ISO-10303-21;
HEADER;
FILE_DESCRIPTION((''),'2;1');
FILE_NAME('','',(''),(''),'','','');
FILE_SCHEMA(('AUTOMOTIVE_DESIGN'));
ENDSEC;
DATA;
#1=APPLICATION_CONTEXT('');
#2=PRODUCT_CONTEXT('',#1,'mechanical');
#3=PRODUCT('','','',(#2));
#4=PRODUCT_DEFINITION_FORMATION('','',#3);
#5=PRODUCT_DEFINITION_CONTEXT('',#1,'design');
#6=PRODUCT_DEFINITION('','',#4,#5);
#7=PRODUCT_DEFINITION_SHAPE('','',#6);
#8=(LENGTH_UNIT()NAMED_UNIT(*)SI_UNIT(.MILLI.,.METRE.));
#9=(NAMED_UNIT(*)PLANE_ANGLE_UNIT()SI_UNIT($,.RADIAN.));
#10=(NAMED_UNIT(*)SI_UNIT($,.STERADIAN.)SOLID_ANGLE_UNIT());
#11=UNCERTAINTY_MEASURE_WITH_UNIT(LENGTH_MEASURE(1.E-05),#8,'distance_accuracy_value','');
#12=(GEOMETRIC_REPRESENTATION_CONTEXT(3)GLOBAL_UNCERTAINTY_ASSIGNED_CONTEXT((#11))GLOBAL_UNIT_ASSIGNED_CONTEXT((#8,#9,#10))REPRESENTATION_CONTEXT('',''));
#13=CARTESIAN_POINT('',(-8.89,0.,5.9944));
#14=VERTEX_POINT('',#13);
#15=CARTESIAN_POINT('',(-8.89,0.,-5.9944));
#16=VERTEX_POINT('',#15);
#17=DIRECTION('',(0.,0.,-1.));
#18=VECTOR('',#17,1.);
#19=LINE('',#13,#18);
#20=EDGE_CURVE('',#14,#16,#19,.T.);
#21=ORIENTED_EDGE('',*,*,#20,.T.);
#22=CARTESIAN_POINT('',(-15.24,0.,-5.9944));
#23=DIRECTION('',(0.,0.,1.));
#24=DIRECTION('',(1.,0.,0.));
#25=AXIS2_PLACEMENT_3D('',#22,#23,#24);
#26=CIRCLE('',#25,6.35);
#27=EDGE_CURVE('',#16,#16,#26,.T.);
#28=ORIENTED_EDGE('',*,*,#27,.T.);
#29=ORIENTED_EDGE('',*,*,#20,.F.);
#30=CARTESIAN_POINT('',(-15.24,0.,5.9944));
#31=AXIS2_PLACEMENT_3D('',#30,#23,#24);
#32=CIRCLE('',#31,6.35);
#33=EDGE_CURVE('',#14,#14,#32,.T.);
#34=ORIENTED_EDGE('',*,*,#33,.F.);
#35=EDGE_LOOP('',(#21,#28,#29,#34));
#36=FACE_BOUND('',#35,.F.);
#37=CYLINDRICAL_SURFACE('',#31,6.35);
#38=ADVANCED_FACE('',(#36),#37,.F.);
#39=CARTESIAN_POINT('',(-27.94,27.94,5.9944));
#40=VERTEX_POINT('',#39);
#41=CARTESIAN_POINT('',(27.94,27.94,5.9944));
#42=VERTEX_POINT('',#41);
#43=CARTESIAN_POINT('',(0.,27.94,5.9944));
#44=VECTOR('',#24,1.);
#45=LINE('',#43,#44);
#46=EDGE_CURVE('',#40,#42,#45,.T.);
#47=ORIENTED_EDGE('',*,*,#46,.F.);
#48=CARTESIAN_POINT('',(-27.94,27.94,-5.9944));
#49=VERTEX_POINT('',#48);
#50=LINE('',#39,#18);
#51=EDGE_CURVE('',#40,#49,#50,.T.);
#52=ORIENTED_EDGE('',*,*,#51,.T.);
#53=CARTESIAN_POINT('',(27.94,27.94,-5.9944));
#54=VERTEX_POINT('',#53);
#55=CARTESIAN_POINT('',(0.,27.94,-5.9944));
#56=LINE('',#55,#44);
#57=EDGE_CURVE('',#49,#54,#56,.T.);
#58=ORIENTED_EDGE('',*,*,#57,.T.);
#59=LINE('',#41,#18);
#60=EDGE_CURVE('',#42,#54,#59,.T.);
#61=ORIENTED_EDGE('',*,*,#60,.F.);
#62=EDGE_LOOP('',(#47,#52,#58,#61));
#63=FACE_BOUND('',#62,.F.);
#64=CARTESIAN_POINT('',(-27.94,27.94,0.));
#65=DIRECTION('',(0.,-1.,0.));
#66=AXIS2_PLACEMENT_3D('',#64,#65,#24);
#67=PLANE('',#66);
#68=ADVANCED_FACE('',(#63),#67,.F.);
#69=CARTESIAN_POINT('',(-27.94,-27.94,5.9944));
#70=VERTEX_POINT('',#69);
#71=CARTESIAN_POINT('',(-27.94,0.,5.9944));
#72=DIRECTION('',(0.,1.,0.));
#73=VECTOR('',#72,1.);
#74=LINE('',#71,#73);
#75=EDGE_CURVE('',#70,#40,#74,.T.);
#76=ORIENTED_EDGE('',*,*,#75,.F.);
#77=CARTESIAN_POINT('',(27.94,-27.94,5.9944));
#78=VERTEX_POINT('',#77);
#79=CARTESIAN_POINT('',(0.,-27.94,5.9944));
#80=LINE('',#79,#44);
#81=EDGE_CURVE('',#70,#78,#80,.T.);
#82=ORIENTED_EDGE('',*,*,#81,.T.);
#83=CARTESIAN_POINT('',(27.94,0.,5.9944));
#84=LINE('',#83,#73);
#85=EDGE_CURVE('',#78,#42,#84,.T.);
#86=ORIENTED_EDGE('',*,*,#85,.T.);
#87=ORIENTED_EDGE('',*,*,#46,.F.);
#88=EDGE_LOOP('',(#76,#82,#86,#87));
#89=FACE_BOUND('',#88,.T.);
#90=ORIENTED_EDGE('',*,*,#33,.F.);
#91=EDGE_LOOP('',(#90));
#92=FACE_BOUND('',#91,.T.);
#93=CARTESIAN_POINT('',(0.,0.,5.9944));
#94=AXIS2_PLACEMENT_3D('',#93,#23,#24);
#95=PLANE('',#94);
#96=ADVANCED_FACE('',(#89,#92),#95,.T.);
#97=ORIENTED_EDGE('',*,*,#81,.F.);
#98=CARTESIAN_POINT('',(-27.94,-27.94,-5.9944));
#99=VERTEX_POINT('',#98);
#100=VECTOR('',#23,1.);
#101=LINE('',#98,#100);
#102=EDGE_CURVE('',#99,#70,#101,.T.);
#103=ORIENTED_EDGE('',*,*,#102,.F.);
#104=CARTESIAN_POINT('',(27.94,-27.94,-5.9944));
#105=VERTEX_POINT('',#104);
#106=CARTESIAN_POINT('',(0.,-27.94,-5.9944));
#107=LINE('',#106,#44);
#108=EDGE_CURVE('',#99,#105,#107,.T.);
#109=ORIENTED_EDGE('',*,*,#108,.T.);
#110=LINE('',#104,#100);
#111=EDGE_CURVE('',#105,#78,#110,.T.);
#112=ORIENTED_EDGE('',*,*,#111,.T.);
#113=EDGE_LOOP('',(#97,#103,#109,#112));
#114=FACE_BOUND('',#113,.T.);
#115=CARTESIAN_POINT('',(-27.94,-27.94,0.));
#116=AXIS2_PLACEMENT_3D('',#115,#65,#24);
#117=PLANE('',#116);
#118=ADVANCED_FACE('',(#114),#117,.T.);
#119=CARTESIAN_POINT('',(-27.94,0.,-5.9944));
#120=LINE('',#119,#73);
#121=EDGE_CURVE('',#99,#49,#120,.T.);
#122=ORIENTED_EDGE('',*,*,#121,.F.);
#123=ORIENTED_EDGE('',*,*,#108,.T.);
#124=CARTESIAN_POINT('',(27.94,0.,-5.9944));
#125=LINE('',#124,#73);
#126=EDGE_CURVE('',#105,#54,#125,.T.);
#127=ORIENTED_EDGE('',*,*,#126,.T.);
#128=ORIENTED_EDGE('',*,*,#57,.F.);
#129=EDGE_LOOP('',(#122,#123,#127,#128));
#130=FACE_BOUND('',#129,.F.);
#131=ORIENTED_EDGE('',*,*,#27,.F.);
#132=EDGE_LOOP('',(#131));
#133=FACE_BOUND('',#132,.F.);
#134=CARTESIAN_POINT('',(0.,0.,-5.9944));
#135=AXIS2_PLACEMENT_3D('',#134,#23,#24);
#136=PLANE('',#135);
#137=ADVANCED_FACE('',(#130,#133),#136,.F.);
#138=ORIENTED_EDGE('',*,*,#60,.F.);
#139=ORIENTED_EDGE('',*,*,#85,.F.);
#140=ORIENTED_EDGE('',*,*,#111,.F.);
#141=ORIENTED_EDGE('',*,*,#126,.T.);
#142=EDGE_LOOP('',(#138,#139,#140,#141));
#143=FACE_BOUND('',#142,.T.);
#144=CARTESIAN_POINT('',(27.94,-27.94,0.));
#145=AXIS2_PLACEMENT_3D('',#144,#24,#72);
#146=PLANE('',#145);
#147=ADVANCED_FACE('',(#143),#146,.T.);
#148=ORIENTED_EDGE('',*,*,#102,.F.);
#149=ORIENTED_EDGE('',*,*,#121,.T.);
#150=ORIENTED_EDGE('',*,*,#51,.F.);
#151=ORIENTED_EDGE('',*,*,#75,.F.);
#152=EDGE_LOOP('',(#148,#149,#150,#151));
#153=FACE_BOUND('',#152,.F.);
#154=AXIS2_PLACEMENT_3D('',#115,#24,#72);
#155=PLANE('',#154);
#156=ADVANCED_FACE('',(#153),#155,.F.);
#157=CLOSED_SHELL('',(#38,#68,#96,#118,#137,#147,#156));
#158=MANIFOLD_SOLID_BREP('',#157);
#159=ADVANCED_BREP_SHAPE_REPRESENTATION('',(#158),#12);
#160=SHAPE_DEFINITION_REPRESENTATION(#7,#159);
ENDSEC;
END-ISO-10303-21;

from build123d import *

# Parameters (mm, degrees)
F0_W     = 55.88
F0_H     = 55.88
F1_DEPTH = 5.9944
F2_R     = 6.35
F3_DEPTH = 11.9888


with BuildPart() as f1:
    # F0 (on Top) → F1 (new body, symmetric)
    with BuildSketch(Plane.XY):
        Rectangle(F0_W, F0_H)
    extrude(amount=F1_DEPTH, both=True)

    # F2 (on face) → F3 (cut, through all)
    with BuildSketch(Plane.XY.offset(5.9944)):
        with Locations((-15.24, 0)):
            Circle(F2_R)
    extrude(amount=-F3_DEPTH, mode=Mode.SUBTRACT)


solid = f1.part
